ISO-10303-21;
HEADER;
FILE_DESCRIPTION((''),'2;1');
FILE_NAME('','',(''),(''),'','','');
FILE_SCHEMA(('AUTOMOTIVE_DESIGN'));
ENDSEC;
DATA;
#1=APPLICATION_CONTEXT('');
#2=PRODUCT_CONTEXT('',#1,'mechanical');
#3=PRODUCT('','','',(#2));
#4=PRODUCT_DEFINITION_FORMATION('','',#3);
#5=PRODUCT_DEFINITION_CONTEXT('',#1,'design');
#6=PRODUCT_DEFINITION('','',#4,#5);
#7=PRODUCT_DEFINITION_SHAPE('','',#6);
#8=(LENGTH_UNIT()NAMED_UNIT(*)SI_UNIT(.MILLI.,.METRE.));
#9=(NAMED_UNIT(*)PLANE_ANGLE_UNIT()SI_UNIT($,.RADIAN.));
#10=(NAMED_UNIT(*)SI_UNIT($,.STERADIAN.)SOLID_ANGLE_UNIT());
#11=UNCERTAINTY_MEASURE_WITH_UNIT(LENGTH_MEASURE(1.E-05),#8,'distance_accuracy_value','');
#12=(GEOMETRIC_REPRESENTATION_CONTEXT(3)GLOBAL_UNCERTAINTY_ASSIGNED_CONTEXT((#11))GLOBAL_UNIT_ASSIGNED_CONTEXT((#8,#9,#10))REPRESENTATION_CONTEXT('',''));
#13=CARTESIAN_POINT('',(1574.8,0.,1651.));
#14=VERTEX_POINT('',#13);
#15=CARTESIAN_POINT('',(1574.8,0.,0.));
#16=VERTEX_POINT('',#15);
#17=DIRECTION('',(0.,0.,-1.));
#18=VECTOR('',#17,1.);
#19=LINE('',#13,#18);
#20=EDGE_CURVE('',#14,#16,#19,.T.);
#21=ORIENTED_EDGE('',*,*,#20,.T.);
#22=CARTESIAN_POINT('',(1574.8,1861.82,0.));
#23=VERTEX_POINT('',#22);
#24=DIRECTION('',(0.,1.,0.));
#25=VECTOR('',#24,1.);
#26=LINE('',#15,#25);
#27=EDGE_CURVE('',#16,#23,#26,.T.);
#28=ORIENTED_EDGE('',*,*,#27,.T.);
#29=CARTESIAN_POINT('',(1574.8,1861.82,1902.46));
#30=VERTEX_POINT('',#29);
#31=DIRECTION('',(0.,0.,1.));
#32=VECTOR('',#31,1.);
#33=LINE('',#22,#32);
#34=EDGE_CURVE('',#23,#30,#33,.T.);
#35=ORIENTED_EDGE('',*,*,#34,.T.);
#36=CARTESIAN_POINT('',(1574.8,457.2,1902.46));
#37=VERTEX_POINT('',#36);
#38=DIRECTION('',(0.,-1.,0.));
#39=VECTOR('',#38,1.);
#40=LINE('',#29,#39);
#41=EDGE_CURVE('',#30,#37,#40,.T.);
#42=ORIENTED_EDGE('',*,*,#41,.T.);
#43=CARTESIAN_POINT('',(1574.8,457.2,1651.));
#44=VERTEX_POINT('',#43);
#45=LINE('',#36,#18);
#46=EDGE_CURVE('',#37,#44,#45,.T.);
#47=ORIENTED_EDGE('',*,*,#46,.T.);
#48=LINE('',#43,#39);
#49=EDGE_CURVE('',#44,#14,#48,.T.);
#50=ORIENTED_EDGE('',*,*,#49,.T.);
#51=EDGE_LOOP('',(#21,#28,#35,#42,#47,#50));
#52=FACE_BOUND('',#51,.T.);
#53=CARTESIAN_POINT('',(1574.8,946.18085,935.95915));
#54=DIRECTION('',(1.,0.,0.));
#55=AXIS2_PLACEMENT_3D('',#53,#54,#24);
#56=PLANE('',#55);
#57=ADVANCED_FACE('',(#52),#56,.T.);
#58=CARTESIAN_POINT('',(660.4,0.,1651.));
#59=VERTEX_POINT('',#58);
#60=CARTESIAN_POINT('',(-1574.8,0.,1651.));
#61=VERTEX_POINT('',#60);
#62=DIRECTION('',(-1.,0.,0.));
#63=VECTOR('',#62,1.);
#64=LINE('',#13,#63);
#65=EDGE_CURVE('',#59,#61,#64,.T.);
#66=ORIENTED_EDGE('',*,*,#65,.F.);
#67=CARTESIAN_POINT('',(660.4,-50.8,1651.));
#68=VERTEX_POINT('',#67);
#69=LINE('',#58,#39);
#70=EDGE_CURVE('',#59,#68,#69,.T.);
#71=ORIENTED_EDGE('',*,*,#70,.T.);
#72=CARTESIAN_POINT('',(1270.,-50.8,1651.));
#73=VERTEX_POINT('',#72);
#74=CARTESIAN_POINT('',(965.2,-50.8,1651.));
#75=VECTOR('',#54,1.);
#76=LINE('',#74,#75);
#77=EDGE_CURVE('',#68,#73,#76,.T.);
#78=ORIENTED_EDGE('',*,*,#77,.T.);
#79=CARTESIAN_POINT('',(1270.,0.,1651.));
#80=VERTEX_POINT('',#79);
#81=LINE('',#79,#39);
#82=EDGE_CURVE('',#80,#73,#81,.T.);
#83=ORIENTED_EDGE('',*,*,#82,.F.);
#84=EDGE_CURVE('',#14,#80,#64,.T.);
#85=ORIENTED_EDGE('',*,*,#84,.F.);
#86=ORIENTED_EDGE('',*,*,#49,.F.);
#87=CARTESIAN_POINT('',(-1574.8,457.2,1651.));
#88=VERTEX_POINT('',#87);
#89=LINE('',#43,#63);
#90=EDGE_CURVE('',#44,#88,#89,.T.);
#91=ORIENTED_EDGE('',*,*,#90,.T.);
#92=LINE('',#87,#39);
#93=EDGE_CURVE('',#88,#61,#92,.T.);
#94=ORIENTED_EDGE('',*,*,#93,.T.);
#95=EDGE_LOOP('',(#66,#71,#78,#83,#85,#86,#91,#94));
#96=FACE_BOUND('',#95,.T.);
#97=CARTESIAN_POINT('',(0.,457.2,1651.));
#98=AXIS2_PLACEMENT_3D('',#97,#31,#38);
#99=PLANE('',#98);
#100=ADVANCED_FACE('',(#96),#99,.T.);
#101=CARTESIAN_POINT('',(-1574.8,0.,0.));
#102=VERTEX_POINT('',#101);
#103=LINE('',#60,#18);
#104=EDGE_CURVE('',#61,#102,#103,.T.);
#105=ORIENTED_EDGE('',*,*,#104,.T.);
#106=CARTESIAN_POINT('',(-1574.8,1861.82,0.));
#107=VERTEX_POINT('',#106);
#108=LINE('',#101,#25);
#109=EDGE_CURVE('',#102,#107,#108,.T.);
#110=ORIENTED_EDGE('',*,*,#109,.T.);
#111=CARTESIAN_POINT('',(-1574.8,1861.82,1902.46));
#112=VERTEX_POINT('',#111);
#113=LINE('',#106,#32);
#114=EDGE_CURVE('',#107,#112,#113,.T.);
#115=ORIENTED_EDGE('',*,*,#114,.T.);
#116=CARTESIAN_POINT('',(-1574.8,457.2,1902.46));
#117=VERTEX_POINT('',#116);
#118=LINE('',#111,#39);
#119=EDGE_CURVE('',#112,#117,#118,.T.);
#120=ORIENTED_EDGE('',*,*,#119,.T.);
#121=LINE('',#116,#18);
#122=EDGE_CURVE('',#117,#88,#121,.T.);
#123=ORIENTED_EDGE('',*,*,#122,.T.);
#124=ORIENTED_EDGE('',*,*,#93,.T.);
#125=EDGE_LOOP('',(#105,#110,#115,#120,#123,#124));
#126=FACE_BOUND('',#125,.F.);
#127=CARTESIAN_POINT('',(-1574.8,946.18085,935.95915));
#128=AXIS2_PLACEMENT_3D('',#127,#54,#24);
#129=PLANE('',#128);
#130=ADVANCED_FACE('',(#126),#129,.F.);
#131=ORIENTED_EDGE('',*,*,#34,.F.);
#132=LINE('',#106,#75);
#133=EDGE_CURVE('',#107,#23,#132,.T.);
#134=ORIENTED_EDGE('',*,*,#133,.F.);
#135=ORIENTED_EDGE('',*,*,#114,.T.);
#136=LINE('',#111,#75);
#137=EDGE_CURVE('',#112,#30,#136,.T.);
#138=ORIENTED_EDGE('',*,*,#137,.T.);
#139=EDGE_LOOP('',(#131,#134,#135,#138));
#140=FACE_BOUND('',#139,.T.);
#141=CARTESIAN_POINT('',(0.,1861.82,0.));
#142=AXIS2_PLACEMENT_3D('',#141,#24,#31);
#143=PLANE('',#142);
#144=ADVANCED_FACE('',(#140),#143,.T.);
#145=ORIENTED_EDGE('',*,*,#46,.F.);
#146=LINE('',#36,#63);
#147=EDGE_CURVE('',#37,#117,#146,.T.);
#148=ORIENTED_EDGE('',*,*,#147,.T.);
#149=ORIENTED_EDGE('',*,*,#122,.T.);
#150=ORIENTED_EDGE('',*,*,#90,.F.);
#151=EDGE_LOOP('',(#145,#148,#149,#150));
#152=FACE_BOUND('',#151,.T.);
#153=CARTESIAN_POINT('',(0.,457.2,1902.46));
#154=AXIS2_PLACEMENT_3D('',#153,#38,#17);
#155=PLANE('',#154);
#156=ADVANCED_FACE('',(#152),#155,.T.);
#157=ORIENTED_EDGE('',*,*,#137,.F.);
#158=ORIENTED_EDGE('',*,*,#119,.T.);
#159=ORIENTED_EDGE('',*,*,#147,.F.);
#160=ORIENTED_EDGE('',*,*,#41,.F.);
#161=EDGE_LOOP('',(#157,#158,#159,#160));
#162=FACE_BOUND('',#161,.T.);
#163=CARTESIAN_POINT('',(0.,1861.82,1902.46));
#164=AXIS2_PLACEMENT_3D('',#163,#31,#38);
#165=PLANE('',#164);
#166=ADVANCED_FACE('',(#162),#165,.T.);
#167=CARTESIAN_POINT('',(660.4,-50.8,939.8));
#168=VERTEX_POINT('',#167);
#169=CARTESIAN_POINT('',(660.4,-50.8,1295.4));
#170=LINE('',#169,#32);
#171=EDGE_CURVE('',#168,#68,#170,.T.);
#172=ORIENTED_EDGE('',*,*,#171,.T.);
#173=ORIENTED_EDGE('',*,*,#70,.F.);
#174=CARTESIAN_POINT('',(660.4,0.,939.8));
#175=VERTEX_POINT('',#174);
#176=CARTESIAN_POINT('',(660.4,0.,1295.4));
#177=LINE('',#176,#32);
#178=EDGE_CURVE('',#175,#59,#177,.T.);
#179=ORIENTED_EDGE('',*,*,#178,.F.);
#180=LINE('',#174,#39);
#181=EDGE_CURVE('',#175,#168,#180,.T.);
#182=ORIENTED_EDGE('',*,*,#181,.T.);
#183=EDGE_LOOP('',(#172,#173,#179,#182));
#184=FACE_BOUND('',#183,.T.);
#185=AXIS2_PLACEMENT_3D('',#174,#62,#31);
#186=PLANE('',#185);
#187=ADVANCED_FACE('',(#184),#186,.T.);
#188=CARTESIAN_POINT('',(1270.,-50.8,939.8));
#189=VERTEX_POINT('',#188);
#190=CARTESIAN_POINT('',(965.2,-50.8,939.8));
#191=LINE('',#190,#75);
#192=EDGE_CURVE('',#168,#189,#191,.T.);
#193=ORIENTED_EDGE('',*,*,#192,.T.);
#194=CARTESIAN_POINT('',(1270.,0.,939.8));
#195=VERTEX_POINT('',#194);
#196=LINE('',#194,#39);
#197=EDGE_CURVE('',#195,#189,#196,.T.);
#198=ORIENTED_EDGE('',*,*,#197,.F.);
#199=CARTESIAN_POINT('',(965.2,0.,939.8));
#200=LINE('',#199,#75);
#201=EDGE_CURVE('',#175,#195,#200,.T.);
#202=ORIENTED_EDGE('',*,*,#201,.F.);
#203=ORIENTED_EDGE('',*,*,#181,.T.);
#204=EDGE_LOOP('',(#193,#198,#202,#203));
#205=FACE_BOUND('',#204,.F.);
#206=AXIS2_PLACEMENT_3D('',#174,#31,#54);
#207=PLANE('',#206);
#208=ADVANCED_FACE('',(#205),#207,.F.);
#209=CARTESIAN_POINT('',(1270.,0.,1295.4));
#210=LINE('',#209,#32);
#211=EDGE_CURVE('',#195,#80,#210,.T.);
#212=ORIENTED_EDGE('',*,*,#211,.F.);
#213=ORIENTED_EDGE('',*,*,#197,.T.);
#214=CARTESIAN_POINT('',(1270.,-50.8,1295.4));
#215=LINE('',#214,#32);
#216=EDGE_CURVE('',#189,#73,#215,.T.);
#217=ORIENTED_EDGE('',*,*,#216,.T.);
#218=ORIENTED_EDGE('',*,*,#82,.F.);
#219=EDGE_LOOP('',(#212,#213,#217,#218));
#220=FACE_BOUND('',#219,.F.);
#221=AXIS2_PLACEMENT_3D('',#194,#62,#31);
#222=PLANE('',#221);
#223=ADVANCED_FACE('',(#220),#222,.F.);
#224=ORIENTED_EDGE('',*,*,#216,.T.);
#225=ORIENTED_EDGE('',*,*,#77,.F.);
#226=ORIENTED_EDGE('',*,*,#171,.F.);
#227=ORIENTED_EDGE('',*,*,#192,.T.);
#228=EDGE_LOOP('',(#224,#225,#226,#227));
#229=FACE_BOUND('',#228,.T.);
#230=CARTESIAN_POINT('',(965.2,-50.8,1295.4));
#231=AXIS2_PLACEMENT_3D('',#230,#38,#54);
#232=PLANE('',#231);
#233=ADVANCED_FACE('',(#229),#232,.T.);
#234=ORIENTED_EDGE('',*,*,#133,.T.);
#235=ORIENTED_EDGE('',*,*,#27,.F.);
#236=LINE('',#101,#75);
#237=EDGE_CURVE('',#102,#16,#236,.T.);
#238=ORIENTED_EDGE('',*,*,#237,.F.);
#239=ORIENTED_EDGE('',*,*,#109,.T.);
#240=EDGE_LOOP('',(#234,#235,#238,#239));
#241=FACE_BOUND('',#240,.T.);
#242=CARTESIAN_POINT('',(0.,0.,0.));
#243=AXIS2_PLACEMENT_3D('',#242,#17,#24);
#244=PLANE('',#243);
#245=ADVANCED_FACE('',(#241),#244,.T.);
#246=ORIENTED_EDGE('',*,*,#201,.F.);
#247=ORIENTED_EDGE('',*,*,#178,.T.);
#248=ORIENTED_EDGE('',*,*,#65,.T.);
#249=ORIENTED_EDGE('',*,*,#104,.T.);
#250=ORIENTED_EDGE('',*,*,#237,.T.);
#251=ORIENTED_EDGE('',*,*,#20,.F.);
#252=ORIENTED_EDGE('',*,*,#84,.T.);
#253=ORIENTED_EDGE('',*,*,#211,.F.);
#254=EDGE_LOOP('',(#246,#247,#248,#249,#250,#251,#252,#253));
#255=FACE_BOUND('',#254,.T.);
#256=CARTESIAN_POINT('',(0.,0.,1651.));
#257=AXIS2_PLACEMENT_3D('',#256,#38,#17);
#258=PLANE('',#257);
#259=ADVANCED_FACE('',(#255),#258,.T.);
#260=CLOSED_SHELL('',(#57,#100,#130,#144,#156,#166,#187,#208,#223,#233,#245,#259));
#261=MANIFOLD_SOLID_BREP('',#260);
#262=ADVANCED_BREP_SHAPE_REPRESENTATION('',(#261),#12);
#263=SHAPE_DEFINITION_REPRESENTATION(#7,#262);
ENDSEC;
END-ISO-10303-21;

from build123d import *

# Parameters (mm, degrees)
F1_DEPTH = 1574.8
F2_W     = 609.6
F2_H     = 711.2
F3_DEPTH = 50.8


with BuildPart() as f1:
    # F0 (on Right) → F1 (new body, symmetric)
    with BuildSketch(Plane.YZ):
        Polygon((0, 1651), (0, 0), (1861.82, 0), (1861.82, 1902.46), (457.2, 1902.46), (457.2, 1651), align=None)
    extrude(amount=F1_DEPTH, both=True)

    # F2 (on face) → F3 (join)
    with BuildSketch(Plane.XZ):
        with Locations((965.2, 1295.4)):
            Rectangle(F2_W, F2_H)
    extrude(amount=F3_DEPTH)


solid = f1.part
